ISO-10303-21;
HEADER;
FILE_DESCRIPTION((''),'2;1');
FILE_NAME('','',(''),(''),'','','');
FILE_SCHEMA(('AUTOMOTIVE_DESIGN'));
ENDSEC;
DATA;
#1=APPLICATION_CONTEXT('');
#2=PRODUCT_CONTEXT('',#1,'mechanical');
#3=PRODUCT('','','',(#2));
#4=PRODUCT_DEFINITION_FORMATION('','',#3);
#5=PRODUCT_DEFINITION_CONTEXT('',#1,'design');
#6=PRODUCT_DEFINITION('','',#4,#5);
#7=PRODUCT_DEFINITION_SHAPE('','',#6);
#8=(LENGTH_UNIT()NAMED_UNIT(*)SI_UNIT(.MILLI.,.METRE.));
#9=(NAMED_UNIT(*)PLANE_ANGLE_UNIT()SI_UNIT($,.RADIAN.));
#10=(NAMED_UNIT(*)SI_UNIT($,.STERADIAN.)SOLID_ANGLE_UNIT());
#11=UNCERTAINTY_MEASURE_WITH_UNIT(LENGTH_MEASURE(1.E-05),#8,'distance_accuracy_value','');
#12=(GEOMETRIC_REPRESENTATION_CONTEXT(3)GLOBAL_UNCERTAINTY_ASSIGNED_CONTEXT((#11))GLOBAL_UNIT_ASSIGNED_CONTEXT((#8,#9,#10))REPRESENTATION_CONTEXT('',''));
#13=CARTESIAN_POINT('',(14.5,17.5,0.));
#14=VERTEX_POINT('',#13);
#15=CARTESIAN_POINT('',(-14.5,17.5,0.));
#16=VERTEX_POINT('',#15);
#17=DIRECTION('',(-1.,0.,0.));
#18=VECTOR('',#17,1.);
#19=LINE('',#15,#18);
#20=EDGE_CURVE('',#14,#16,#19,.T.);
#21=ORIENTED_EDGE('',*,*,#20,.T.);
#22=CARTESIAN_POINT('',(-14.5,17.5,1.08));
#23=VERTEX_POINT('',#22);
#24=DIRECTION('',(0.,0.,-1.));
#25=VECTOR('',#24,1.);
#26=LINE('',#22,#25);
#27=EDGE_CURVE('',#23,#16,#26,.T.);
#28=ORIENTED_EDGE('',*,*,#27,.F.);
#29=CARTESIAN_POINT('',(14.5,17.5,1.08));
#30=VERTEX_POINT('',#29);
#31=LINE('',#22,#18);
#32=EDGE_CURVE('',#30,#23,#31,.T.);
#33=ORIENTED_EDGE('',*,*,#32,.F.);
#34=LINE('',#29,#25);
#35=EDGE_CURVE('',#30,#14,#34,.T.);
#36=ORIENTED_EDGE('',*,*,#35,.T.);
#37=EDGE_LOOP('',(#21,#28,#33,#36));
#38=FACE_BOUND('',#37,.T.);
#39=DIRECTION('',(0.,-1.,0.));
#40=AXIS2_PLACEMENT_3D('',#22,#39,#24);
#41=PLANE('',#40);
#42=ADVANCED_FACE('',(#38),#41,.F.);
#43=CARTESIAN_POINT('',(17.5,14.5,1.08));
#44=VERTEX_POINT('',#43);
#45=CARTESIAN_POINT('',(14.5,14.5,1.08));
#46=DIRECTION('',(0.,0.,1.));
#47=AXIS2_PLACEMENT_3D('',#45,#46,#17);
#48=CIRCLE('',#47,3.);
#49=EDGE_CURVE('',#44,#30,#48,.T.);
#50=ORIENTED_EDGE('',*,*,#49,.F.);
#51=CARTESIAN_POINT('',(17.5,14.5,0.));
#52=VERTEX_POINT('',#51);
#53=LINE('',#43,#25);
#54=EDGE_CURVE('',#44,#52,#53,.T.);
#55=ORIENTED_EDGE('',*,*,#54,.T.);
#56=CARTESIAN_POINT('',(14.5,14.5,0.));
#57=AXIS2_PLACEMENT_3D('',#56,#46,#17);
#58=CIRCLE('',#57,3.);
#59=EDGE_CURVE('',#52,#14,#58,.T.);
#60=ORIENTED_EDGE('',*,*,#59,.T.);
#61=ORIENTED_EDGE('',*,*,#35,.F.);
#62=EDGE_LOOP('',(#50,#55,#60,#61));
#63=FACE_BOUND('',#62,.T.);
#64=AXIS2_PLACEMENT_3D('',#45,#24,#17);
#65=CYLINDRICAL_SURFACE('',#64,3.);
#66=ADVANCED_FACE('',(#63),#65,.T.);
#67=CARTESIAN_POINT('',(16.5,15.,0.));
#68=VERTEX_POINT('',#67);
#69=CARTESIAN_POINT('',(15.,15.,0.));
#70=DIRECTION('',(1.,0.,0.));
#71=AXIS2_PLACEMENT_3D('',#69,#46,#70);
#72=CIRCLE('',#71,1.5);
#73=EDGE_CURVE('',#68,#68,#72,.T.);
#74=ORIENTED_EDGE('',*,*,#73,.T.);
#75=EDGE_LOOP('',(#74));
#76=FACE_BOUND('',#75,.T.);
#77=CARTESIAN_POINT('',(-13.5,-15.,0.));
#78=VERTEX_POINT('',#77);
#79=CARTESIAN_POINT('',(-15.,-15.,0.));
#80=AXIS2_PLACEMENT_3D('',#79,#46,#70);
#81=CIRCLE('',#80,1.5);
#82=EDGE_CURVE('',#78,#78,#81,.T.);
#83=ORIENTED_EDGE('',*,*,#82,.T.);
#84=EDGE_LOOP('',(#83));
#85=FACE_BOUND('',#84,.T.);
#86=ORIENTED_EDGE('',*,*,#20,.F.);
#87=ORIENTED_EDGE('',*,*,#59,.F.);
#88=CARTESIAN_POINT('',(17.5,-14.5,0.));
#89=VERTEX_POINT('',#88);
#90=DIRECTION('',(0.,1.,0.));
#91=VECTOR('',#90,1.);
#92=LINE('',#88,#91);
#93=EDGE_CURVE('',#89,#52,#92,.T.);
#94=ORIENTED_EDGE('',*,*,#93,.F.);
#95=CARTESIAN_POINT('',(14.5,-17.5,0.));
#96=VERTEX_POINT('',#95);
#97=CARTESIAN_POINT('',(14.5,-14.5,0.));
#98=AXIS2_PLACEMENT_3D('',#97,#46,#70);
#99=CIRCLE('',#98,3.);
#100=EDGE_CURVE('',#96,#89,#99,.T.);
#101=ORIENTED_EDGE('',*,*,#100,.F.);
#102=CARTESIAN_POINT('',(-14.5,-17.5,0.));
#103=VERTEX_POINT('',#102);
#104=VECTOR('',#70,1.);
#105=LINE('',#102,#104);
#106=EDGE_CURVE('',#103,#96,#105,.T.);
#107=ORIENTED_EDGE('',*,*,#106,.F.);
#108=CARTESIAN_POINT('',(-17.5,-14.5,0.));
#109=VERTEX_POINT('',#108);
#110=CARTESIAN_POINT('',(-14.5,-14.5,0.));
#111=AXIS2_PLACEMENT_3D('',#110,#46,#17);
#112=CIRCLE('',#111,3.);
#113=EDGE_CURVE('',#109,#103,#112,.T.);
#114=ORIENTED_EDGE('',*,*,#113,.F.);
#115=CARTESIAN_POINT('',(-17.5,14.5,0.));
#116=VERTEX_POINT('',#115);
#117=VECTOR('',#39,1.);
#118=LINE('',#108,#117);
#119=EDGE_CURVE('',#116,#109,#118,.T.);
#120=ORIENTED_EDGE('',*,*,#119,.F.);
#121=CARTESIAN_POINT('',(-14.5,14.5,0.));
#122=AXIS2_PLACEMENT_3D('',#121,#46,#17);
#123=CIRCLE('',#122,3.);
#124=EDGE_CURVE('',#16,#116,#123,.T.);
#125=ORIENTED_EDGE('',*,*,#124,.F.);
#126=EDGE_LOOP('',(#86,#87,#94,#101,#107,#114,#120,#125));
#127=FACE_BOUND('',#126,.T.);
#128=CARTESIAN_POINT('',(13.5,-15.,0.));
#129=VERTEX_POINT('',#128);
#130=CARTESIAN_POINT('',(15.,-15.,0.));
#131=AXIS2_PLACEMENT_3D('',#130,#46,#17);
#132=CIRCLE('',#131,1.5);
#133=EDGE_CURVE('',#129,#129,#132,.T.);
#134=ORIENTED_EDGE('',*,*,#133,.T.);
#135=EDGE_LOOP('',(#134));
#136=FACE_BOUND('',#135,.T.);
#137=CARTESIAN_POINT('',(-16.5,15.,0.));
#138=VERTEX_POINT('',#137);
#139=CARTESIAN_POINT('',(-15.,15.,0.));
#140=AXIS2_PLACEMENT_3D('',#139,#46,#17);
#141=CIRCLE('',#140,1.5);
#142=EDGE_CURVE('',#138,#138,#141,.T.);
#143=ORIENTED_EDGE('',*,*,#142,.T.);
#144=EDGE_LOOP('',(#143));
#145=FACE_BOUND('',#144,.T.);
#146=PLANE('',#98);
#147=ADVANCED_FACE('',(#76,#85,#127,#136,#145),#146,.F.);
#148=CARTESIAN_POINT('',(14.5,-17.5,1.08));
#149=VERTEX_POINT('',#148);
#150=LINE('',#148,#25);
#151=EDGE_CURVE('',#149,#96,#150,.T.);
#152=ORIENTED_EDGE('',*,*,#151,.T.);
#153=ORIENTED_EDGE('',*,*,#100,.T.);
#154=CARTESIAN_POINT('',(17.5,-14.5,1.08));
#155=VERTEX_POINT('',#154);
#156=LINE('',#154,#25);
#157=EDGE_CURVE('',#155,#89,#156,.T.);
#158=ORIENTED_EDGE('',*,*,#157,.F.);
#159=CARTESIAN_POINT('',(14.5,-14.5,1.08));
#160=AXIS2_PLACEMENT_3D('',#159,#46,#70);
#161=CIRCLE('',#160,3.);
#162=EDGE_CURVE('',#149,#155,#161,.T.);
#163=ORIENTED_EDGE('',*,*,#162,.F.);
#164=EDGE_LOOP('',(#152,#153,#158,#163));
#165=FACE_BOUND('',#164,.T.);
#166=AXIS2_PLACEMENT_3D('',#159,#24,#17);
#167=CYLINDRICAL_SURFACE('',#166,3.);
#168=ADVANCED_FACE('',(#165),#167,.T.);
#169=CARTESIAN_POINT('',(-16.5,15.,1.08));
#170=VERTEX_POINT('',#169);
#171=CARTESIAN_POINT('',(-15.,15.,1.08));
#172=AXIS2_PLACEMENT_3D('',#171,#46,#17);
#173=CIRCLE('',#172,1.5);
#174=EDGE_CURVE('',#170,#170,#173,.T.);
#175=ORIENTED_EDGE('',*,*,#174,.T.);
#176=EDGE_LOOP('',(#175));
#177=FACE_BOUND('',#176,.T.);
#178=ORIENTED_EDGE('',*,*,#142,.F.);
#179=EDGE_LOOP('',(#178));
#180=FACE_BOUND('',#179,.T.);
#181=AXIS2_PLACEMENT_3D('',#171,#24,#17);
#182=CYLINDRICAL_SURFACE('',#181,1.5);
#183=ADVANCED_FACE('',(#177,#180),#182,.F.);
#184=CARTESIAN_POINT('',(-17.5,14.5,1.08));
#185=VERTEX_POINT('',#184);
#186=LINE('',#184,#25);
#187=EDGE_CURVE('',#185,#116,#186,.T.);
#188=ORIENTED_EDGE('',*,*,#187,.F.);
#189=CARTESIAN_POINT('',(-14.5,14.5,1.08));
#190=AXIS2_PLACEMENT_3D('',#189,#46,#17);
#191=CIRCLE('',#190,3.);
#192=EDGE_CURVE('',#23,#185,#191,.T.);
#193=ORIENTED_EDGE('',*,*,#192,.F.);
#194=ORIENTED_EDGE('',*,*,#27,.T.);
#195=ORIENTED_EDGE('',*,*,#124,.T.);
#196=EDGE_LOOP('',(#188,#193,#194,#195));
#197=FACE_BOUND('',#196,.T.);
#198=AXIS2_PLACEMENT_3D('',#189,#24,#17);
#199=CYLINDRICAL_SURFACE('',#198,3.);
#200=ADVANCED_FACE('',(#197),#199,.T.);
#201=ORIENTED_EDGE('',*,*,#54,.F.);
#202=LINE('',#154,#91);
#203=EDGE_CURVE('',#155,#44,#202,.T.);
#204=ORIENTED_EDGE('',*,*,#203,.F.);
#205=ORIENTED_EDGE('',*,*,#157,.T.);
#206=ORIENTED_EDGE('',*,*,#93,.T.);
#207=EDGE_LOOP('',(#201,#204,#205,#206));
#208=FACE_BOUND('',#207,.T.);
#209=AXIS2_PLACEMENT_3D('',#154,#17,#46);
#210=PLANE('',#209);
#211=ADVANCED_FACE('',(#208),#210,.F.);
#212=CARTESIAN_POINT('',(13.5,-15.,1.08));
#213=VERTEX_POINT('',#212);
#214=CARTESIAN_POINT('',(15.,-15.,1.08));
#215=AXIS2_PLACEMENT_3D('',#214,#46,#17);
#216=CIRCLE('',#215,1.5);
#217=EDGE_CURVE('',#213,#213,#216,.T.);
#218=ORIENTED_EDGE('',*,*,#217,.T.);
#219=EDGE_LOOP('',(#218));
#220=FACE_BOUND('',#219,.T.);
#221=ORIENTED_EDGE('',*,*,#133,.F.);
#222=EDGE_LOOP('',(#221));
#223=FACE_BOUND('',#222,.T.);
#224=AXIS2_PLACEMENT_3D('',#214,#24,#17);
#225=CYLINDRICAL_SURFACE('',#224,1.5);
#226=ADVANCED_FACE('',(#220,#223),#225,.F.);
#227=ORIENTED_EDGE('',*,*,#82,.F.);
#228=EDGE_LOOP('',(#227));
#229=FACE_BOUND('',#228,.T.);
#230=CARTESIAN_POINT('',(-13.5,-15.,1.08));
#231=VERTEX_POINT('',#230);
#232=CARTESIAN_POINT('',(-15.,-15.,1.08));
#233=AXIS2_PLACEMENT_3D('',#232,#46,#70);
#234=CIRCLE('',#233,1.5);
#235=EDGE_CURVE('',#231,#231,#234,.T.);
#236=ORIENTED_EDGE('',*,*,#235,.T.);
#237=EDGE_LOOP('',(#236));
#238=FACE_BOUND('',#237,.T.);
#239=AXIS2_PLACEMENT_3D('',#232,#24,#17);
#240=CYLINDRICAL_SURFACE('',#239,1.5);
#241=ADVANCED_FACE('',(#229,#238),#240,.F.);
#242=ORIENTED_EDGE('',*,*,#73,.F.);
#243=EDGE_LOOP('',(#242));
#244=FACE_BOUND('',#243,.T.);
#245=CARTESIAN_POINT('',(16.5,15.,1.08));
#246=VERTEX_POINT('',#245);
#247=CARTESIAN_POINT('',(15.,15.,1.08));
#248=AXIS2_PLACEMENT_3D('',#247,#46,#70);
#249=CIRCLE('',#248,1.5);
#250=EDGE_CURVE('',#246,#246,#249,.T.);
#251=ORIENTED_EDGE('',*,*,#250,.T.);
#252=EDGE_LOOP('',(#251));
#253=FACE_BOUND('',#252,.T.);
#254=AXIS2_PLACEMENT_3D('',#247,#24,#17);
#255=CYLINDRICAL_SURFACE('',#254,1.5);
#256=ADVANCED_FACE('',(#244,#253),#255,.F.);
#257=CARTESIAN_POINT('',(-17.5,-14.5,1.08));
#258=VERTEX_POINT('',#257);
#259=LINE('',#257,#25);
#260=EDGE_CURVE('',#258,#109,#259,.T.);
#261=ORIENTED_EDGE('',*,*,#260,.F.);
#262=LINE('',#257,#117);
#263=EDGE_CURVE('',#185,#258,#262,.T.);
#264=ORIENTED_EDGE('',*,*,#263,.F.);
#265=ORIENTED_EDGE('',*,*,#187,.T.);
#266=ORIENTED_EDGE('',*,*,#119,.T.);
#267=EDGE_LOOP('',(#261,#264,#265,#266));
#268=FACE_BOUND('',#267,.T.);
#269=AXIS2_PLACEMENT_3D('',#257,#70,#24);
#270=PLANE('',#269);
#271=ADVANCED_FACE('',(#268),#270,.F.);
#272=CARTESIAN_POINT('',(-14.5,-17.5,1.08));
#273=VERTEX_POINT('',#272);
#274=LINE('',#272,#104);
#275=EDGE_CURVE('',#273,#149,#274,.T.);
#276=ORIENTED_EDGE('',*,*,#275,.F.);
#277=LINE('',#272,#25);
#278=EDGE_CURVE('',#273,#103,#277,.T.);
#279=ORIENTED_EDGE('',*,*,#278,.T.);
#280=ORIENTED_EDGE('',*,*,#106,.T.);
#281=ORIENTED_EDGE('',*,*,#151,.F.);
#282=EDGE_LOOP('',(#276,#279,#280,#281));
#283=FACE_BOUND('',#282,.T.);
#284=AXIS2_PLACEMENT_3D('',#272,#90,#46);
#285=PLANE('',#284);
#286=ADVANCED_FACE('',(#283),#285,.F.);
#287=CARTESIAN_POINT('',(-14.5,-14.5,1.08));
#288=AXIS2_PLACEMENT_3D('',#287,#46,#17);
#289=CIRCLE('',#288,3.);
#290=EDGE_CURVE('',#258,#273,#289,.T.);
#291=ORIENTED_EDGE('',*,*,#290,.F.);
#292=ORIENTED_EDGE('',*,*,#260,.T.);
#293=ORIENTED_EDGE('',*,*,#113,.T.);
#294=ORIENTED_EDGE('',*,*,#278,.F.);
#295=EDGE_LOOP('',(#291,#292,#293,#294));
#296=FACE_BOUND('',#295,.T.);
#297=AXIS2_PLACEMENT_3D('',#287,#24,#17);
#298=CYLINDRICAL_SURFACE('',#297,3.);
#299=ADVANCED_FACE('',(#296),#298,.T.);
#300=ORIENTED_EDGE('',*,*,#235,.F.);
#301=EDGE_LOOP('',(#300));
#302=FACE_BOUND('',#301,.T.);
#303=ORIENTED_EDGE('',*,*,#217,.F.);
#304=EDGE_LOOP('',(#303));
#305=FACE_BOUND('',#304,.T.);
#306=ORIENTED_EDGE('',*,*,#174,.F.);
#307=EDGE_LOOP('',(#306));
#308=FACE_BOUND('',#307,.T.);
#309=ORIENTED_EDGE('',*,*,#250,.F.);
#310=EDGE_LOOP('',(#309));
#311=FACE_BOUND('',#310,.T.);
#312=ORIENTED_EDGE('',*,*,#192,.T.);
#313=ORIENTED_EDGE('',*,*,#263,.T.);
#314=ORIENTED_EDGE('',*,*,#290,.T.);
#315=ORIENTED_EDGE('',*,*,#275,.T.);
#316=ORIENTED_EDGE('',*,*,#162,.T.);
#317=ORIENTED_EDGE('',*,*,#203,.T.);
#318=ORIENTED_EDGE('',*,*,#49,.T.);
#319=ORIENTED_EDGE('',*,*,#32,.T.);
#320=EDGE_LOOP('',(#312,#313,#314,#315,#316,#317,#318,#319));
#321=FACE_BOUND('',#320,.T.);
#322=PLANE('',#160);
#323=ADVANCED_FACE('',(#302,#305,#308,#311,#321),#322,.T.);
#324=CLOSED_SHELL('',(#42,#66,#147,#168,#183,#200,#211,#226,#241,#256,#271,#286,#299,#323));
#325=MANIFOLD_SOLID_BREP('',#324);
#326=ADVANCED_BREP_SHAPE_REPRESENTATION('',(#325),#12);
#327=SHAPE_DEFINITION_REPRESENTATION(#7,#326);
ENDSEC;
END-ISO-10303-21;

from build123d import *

# Parameters (mm, degrees)
SKETCH1_R           = 1.5
BOSS_EXTRUDE1_DEPTH = 1.08


with BuildPart() as part:
    # Sketch1 → Boss-Extrude1 (new body)
    with BuildSketch(Plane.XY):
        with BuildLine():
            Line((-14.5, -17.5), (14.5, -17.5))
            ThreePointArc((14.5, -17.5), (16.621320344, -16.621320344), (17.5, -14.5))
            Line((17.5, -14.5), (17.5, 14.5))
            ThreePointArc((17.5, 14.5), (16.621320344, 16.621320344), (14.5, 17.5))
            Line((14.5, 17.5), (-14.5, 17.5))
            ThreePointArc((-14.5, 17.5), (-16.621320344, 16.621320344), (-17.5, 14.5))
            Line((-17.5, 14.5), (-17.5, -14.5))
            ThreePointArc((-17.5, -14.5), (-16.621320344, -16.621320344), (-14.5, -17.5))
        make_face()
        with Locations((-15, -15)):
            Circle(SKETCH1_R, mode=Mode.SUBTRACT)
        with Locations(Location((15, -15, 0), (0, 0, 180))):
            Circle(SKETCH1_R, mode=Mode.SUBTRACT)
        with Locations((15, 15)):
            Circle(SKETCH1_R, mode=Mode.SUBTRACT)
        with Locations(Location((-15, 15, 0), (0, 0, 180))):
            Circle(SKETCH1_R, mode=Mode.SUBTRACT)
    extrude(amount=BOSS_EXTRUDE1_DEPTH)


solid = part.part
